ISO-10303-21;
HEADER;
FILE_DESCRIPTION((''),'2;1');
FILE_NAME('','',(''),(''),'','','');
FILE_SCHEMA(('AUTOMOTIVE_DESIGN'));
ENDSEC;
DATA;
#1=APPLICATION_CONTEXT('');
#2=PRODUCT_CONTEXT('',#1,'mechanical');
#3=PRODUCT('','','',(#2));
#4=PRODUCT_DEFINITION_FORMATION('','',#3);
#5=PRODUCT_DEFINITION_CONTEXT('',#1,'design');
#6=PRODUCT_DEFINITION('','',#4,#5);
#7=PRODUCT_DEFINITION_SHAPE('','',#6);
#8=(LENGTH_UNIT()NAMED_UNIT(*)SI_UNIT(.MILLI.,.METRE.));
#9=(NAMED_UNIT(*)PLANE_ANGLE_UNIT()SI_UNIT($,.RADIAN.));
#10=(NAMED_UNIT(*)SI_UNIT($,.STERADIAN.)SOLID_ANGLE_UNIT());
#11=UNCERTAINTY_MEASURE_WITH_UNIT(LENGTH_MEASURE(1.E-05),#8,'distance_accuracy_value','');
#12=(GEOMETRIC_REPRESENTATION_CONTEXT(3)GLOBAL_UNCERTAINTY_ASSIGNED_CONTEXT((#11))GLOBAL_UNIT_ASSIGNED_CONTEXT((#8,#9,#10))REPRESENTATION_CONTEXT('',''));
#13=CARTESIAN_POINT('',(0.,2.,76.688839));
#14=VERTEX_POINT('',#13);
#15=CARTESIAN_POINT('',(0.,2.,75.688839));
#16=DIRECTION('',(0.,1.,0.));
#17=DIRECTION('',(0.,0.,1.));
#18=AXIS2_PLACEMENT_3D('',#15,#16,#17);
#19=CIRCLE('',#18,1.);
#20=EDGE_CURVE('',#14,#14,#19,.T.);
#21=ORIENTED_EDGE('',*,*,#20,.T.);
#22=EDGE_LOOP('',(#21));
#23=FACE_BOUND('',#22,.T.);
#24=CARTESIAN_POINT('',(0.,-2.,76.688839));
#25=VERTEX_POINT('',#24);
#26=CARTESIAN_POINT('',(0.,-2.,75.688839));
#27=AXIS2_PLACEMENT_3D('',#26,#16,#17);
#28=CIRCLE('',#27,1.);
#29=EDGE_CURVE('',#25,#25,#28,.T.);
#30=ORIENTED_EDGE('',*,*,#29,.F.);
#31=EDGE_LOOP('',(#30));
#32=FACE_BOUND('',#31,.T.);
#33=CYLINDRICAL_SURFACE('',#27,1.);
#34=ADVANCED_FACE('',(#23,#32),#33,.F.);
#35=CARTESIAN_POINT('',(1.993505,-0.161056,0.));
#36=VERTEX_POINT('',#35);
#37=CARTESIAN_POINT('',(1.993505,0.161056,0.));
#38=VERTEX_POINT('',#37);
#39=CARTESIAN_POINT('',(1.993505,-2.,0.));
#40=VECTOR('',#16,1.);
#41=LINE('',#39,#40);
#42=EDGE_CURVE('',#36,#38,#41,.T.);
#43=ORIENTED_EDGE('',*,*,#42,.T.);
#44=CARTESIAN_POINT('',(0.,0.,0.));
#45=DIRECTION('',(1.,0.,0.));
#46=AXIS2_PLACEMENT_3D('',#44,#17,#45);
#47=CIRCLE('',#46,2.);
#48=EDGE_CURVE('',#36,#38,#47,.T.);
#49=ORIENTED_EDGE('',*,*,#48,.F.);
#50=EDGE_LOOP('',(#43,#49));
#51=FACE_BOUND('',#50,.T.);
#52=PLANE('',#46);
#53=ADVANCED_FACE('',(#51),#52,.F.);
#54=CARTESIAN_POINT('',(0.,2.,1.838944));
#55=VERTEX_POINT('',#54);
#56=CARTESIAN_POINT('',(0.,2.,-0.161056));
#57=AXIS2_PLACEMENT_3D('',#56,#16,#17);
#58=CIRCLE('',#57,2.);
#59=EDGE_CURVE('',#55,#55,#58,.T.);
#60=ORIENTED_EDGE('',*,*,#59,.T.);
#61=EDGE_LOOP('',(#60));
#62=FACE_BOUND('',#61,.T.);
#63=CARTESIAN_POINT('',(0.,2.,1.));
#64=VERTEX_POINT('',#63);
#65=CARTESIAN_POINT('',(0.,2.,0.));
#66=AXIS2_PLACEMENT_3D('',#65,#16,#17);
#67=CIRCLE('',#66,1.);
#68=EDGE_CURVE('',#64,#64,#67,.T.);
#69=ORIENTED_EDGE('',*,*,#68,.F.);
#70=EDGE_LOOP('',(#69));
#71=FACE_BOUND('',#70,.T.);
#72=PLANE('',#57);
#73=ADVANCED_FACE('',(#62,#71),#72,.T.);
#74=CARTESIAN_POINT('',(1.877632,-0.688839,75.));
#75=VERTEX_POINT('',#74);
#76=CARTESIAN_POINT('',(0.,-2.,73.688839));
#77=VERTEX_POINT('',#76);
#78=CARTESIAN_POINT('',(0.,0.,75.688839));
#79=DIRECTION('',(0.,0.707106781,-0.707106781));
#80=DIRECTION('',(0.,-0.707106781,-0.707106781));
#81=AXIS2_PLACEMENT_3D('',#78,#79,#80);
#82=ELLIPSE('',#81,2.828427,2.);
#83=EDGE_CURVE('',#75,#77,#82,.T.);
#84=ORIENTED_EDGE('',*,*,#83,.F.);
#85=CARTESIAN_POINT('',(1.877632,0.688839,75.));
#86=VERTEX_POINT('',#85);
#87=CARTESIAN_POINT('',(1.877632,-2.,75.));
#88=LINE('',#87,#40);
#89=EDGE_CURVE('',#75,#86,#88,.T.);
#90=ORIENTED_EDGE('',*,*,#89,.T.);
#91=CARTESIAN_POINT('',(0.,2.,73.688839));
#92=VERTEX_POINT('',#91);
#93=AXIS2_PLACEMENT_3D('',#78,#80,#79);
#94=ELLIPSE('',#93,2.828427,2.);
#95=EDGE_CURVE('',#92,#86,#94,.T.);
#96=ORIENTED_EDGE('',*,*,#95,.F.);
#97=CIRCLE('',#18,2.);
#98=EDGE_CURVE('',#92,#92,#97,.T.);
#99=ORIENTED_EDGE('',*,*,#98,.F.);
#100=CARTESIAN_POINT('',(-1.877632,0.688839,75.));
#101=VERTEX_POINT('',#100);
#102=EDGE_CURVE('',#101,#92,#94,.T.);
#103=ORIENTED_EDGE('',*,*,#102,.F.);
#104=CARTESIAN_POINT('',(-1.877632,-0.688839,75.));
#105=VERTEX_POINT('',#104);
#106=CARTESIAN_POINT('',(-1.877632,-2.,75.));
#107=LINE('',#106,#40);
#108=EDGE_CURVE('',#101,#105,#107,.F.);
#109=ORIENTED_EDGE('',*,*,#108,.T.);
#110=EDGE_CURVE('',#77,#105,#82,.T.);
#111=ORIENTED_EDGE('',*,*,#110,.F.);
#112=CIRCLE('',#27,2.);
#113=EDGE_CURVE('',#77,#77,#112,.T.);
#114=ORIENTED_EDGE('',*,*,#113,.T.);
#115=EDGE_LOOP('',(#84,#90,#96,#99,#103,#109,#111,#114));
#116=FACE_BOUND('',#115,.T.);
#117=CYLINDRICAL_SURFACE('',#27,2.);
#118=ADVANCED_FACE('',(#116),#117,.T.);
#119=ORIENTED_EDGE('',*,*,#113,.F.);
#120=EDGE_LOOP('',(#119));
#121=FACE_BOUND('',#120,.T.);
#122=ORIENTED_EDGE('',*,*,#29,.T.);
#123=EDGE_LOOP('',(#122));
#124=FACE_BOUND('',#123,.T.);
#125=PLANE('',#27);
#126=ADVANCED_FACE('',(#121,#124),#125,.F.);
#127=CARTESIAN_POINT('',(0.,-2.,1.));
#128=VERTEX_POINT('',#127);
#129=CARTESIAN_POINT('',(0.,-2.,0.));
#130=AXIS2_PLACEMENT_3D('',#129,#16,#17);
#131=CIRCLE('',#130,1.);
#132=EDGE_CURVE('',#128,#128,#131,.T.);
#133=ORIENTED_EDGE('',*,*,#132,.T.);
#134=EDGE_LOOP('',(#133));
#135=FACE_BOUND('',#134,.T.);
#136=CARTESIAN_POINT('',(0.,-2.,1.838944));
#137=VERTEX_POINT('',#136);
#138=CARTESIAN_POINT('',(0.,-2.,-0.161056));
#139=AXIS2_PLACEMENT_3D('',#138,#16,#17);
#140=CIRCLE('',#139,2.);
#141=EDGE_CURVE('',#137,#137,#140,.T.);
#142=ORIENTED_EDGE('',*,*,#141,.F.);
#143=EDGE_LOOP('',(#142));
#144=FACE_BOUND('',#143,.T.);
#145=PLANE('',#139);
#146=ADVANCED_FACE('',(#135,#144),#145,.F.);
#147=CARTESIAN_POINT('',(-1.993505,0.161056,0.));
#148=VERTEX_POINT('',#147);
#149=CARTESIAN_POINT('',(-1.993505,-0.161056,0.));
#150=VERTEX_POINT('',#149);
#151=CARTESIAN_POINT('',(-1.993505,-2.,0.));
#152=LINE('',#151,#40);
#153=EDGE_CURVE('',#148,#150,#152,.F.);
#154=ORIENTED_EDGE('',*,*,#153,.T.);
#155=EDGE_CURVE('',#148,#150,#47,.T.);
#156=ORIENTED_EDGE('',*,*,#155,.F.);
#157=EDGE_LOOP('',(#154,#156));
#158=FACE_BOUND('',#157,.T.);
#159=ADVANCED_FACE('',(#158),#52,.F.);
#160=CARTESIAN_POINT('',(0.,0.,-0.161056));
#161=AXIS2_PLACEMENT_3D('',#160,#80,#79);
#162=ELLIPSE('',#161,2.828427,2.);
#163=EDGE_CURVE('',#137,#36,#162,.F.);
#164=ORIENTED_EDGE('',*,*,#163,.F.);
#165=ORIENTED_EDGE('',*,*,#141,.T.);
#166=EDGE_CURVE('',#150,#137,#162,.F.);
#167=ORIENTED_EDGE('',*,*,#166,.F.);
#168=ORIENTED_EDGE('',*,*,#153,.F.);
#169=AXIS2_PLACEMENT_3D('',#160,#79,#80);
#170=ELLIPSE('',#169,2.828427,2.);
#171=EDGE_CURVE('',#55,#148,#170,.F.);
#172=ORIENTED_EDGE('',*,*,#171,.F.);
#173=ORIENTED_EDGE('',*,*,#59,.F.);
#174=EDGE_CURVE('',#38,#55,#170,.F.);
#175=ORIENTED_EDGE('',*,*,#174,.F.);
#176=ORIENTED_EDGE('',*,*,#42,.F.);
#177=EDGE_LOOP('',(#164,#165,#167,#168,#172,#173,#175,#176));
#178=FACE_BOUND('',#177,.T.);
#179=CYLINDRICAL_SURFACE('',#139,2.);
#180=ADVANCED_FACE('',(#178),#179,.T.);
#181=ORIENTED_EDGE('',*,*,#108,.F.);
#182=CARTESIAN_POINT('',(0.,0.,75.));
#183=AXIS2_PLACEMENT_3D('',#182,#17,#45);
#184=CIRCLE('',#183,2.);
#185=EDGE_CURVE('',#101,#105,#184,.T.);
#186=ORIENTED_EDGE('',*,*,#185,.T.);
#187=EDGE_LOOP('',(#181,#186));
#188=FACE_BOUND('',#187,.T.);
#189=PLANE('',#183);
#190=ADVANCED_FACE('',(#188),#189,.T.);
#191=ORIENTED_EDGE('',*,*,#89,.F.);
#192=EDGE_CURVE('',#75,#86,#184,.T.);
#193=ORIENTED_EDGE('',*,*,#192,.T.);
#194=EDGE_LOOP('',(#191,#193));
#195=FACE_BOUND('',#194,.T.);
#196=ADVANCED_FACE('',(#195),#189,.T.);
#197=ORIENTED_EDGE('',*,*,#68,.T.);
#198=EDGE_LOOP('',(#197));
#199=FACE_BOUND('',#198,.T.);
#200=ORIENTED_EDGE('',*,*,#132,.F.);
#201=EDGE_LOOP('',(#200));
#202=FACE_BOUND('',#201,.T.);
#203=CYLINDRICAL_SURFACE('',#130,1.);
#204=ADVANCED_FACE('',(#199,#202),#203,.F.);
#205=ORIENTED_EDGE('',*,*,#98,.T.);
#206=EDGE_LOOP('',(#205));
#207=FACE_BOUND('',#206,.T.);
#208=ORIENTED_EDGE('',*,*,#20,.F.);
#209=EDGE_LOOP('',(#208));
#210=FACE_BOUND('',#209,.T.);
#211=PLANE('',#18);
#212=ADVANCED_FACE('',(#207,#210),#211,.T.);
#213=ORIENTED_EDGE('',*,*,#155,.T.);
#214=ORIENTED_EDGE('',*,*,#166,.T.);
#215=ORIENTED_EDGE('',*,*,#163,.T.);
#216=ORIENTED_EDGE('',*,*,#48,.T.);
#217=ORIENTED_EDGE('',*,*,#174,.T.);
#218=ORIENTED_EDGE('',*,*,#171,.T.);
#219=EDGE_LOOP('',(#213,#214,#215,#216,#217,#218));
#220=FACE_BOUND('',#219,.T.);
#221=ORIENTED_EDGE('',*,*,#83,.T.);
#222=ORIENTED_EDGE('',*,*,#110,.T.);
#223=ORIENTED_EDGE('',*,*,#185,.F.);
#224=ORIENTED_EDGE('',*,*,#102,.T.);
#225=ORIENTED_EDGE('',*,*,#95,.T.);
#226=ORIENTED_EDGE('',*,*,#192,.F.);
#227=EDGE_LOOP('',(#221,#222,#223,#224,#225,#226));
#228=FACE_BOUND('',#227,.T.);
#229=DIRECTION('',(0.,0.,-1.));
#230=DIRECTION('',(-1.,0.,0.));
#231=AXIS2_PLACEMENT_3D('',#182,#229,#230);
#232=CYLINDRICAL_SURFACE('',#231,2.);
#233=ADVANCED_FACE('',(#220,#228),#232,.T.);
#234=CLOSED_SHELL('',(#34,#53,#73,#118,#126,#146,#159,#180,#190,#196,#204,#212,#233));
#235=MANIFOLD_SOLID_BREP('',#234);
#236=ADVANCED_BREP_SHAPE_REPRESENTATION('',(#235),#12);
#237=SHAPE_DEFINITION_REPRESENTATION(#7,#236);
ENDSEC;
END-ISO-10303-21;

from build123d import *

# Parameters (mm, degrees)
SKIZZE1_R                       = 2
AUFSATZ_LINEAR_AUSTRAGEN1_DEPTH = 75
AUFSATZ_LINEAR_START            = 2
SKIZZE2_R                       = 2
AUFSATZ_LINEAR_AUSTRAGEN2_DEPTH = 4
SKIZZE3_R                       = 1
SCHNITT_LINEAR_AUSTRAGEN1_DEPTH = 4


with BuildPart() as part:
    # Skizze1 → Aufsatz-Linear austragen1 (new body)
    with BuildSketch(Plane.XY):
        Circle(SKIZZE1_R)
    extrude(amount=AUFSATZ_LINEAR_AUSTRAGEN1_DEPTH)

    # Skizze2 → Aufsatz-Linear austragen2 (add)
    with BuildSketch(Plane(origin=(0, 0, 0), x_dir=(1, 0, 0), z_dir=(0, 1, 0)).offset(AUFSATZ_LINEAR_START)):
        with Locations((0, -75.688838901)):
            Circle(SKIZZE2_R)
        with Locations((0, 0.161056254)):
            Circle(SKIZZE2_R)
    extrude(amount=-AUFSATZ_LINEAR_AUSTRAGEN2_DEPTH)

    # Skizze3 → Schnitt-Linear austragen1 (cut)
    with BuildSketch(Plane(origin=(0, 2, 0), x_dir=(1, 0, 0), z_dir=(0, 1, 0))):
        with Locations((0, -75.688838901)):
            Circle(SKIZZE3_R)
        Circle(SKIZZE3_R)
    extrude(amount=-SCHNITT_LINEAR_AUSTRAGEN1_DEPTH, mode=Mode.SUBTRACT)


solid = part.part
